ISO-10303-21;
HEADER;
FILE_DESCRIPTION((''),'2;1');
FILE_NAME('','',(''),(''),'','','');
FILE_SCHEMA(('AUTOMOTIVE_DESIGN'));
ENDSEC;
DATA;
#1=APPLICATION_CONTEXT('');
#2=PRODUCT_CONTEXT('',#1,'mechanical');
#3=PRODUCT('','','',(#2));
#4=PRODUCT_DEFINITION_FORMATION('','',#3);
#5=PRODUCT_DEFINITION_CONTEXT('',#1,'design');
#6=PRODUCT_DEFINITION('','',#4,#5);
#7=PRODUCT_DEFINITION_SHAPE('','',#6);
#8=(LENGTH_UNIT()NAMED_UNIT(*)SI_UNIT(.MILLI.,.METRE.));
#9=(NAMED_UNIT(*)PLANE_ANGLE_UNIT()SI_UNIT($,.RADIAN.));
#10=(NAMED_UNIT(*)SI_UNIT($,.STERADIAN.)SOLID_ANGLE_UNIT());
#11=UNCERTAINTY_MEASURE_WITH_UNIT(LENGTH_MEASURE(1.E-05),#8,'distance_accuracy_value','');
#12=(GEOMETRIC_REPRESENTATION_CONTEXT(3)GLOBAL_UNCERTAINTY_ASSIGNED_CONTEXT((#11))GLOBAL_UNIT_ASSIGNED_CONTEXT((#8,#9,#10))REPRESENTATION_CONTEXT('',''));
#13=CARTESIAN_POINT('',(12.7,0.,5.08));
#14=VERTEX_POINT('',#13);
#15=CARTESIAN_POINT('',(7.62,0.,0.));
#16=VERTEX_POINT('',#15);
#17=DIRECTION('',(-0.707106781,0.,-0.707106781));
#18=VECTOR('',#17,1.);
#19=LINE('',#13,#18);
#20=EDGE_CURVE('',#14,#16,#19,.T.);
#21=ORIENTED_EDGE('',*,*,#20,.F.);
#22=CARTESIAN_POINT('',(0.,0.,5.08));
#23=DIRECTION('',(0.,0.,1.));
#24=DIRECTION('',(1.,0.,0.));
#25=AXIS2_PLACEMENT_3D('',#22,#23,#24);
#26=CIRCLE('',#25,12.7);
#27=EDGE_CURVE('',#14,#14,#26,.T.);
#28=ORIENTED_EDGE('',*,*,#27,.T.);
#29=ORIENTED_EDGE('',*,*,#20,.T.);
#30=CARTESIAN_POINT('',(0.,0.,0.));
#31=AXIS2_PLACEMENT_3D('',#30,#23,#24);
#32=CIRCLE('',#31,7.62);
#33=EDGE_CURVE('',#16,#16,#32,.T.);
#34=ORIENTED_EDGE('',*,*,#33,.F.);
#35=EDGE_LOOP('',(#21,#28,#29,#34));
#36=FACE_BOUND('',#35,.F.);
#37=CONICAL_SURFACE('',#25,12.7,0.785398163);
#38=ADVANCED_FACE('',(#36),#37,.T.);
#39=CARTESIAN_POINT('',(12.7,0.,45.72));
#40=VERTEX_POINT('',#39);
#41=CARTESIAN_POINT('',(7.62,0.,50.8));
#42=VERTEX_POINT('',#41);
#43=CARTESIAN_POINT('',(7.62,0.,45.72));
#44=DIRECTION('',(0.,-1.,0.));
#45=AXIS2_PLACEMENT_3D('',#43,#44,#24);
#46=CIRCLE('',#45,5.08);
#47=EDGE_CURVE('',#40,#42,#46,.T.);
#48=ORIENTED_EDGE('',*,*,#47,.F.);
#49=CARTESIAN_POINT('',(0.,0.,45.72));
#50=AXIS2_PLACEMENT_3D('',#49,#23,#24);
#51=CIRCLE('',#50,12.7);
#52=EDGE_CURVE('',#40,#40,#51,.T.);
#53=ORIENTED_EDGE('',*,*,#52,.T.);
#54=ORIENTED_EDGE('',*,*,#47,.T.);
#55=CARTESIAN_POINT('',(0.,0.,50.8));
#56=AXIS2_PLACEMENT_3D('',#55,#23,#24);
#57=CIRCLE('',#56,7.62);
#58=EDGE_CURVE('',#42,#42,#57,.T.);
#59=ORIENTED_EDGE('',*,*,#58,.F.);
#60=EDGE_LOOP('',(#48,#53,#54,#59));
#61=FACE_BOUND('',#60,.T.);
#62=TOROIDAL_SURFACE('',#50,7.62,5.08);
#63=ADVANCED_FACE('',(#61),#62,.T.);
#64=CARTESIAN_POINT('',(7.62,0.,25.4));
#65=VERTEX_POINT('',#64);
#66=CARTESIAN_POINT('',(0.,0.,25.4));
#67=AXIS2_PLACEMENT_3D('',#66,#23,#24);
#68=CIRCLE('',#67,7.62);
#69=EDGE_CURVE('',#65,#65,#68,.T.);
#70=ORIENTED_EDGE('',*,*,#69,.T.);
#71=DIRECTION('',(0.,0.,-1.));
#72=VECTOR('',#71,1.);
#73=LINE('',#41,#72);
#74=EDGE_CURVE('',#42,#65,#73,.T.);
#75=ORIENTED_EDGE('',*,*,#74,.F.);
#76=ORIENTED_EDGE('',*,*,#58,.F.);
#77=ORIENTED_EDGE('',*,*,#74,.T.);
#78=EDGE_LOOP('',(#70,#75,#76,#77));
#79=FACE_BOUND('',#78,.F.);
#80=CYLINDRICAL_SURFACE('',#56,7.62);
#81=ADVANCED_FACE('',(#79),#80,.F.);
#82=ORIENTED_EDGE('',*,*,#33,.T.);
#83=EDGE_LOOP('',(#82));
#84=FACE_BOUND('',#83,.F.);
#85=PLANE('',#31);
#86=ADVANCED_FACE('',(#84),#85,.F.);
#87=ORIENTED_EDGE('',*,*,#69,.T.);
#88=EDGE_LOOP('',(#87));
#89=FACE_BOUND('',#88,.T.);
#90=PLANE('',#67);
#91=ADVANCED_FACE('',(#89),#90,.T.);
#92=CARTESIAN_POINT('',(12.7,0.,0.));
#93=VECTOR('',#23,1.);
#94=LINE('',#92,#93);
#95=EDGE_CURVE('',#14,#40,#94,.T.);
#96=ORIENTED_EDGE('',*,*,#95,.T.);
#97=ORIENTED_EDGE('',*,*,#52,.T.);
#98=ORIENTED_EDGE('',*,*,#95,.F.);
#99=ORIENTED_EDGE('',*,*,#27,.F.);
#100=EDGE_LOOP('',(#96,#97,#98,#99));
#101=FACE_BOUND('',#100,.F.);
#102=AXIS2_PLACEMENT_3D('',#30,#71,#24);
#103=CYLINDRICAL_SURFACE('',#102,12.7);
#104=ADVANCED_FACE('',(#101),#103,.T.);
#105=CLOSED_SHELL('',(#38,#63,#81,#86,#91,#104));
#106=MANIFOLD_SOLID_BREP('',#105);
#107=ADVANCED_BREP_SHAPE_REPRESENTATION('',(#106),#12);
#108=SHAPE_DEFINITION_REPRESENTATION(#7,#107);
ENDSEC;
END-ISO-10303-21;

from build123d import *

# Parameters (mm, degrees)
F0_R      = 12.7
F1_DEPTH  = 50.8
F2_R      = 5.08
F3_SIZE   = 5.08
F1_FACE_R = 7.62
F4_DEPTH  = 25.4


with BuildPart() as f1:
    # F0 (on Top) → F1 (new body)
    with BuildSketch(Plane.XY):
        Circle(F0_R)
    extrude(amount=F1_DEPTH)

    # F2
    f2_edges = [f1.edges().sort_by_distance(p)[0] for p in [
        (-12.7, 0, 50.8),
    ]]
    fillet(f2_edges, radius=F2_R)

    # F3
    f3_edges = [f1.edges().sort_by_distance(p)[0] for p in [
        (-12.7, 0, 0),
    ]]
    chamfer(f3_edges, length=F3_SIZE)

    # F1_face (on face) → F4 (cut)
    with BuildSketch(Plane.XY.offset(50.8)):
        Circle(F1_FACE_R)
    extrude(amount=-F4_DEPTH, mode=Mode.SUBTRACT)


solid = f1.part
